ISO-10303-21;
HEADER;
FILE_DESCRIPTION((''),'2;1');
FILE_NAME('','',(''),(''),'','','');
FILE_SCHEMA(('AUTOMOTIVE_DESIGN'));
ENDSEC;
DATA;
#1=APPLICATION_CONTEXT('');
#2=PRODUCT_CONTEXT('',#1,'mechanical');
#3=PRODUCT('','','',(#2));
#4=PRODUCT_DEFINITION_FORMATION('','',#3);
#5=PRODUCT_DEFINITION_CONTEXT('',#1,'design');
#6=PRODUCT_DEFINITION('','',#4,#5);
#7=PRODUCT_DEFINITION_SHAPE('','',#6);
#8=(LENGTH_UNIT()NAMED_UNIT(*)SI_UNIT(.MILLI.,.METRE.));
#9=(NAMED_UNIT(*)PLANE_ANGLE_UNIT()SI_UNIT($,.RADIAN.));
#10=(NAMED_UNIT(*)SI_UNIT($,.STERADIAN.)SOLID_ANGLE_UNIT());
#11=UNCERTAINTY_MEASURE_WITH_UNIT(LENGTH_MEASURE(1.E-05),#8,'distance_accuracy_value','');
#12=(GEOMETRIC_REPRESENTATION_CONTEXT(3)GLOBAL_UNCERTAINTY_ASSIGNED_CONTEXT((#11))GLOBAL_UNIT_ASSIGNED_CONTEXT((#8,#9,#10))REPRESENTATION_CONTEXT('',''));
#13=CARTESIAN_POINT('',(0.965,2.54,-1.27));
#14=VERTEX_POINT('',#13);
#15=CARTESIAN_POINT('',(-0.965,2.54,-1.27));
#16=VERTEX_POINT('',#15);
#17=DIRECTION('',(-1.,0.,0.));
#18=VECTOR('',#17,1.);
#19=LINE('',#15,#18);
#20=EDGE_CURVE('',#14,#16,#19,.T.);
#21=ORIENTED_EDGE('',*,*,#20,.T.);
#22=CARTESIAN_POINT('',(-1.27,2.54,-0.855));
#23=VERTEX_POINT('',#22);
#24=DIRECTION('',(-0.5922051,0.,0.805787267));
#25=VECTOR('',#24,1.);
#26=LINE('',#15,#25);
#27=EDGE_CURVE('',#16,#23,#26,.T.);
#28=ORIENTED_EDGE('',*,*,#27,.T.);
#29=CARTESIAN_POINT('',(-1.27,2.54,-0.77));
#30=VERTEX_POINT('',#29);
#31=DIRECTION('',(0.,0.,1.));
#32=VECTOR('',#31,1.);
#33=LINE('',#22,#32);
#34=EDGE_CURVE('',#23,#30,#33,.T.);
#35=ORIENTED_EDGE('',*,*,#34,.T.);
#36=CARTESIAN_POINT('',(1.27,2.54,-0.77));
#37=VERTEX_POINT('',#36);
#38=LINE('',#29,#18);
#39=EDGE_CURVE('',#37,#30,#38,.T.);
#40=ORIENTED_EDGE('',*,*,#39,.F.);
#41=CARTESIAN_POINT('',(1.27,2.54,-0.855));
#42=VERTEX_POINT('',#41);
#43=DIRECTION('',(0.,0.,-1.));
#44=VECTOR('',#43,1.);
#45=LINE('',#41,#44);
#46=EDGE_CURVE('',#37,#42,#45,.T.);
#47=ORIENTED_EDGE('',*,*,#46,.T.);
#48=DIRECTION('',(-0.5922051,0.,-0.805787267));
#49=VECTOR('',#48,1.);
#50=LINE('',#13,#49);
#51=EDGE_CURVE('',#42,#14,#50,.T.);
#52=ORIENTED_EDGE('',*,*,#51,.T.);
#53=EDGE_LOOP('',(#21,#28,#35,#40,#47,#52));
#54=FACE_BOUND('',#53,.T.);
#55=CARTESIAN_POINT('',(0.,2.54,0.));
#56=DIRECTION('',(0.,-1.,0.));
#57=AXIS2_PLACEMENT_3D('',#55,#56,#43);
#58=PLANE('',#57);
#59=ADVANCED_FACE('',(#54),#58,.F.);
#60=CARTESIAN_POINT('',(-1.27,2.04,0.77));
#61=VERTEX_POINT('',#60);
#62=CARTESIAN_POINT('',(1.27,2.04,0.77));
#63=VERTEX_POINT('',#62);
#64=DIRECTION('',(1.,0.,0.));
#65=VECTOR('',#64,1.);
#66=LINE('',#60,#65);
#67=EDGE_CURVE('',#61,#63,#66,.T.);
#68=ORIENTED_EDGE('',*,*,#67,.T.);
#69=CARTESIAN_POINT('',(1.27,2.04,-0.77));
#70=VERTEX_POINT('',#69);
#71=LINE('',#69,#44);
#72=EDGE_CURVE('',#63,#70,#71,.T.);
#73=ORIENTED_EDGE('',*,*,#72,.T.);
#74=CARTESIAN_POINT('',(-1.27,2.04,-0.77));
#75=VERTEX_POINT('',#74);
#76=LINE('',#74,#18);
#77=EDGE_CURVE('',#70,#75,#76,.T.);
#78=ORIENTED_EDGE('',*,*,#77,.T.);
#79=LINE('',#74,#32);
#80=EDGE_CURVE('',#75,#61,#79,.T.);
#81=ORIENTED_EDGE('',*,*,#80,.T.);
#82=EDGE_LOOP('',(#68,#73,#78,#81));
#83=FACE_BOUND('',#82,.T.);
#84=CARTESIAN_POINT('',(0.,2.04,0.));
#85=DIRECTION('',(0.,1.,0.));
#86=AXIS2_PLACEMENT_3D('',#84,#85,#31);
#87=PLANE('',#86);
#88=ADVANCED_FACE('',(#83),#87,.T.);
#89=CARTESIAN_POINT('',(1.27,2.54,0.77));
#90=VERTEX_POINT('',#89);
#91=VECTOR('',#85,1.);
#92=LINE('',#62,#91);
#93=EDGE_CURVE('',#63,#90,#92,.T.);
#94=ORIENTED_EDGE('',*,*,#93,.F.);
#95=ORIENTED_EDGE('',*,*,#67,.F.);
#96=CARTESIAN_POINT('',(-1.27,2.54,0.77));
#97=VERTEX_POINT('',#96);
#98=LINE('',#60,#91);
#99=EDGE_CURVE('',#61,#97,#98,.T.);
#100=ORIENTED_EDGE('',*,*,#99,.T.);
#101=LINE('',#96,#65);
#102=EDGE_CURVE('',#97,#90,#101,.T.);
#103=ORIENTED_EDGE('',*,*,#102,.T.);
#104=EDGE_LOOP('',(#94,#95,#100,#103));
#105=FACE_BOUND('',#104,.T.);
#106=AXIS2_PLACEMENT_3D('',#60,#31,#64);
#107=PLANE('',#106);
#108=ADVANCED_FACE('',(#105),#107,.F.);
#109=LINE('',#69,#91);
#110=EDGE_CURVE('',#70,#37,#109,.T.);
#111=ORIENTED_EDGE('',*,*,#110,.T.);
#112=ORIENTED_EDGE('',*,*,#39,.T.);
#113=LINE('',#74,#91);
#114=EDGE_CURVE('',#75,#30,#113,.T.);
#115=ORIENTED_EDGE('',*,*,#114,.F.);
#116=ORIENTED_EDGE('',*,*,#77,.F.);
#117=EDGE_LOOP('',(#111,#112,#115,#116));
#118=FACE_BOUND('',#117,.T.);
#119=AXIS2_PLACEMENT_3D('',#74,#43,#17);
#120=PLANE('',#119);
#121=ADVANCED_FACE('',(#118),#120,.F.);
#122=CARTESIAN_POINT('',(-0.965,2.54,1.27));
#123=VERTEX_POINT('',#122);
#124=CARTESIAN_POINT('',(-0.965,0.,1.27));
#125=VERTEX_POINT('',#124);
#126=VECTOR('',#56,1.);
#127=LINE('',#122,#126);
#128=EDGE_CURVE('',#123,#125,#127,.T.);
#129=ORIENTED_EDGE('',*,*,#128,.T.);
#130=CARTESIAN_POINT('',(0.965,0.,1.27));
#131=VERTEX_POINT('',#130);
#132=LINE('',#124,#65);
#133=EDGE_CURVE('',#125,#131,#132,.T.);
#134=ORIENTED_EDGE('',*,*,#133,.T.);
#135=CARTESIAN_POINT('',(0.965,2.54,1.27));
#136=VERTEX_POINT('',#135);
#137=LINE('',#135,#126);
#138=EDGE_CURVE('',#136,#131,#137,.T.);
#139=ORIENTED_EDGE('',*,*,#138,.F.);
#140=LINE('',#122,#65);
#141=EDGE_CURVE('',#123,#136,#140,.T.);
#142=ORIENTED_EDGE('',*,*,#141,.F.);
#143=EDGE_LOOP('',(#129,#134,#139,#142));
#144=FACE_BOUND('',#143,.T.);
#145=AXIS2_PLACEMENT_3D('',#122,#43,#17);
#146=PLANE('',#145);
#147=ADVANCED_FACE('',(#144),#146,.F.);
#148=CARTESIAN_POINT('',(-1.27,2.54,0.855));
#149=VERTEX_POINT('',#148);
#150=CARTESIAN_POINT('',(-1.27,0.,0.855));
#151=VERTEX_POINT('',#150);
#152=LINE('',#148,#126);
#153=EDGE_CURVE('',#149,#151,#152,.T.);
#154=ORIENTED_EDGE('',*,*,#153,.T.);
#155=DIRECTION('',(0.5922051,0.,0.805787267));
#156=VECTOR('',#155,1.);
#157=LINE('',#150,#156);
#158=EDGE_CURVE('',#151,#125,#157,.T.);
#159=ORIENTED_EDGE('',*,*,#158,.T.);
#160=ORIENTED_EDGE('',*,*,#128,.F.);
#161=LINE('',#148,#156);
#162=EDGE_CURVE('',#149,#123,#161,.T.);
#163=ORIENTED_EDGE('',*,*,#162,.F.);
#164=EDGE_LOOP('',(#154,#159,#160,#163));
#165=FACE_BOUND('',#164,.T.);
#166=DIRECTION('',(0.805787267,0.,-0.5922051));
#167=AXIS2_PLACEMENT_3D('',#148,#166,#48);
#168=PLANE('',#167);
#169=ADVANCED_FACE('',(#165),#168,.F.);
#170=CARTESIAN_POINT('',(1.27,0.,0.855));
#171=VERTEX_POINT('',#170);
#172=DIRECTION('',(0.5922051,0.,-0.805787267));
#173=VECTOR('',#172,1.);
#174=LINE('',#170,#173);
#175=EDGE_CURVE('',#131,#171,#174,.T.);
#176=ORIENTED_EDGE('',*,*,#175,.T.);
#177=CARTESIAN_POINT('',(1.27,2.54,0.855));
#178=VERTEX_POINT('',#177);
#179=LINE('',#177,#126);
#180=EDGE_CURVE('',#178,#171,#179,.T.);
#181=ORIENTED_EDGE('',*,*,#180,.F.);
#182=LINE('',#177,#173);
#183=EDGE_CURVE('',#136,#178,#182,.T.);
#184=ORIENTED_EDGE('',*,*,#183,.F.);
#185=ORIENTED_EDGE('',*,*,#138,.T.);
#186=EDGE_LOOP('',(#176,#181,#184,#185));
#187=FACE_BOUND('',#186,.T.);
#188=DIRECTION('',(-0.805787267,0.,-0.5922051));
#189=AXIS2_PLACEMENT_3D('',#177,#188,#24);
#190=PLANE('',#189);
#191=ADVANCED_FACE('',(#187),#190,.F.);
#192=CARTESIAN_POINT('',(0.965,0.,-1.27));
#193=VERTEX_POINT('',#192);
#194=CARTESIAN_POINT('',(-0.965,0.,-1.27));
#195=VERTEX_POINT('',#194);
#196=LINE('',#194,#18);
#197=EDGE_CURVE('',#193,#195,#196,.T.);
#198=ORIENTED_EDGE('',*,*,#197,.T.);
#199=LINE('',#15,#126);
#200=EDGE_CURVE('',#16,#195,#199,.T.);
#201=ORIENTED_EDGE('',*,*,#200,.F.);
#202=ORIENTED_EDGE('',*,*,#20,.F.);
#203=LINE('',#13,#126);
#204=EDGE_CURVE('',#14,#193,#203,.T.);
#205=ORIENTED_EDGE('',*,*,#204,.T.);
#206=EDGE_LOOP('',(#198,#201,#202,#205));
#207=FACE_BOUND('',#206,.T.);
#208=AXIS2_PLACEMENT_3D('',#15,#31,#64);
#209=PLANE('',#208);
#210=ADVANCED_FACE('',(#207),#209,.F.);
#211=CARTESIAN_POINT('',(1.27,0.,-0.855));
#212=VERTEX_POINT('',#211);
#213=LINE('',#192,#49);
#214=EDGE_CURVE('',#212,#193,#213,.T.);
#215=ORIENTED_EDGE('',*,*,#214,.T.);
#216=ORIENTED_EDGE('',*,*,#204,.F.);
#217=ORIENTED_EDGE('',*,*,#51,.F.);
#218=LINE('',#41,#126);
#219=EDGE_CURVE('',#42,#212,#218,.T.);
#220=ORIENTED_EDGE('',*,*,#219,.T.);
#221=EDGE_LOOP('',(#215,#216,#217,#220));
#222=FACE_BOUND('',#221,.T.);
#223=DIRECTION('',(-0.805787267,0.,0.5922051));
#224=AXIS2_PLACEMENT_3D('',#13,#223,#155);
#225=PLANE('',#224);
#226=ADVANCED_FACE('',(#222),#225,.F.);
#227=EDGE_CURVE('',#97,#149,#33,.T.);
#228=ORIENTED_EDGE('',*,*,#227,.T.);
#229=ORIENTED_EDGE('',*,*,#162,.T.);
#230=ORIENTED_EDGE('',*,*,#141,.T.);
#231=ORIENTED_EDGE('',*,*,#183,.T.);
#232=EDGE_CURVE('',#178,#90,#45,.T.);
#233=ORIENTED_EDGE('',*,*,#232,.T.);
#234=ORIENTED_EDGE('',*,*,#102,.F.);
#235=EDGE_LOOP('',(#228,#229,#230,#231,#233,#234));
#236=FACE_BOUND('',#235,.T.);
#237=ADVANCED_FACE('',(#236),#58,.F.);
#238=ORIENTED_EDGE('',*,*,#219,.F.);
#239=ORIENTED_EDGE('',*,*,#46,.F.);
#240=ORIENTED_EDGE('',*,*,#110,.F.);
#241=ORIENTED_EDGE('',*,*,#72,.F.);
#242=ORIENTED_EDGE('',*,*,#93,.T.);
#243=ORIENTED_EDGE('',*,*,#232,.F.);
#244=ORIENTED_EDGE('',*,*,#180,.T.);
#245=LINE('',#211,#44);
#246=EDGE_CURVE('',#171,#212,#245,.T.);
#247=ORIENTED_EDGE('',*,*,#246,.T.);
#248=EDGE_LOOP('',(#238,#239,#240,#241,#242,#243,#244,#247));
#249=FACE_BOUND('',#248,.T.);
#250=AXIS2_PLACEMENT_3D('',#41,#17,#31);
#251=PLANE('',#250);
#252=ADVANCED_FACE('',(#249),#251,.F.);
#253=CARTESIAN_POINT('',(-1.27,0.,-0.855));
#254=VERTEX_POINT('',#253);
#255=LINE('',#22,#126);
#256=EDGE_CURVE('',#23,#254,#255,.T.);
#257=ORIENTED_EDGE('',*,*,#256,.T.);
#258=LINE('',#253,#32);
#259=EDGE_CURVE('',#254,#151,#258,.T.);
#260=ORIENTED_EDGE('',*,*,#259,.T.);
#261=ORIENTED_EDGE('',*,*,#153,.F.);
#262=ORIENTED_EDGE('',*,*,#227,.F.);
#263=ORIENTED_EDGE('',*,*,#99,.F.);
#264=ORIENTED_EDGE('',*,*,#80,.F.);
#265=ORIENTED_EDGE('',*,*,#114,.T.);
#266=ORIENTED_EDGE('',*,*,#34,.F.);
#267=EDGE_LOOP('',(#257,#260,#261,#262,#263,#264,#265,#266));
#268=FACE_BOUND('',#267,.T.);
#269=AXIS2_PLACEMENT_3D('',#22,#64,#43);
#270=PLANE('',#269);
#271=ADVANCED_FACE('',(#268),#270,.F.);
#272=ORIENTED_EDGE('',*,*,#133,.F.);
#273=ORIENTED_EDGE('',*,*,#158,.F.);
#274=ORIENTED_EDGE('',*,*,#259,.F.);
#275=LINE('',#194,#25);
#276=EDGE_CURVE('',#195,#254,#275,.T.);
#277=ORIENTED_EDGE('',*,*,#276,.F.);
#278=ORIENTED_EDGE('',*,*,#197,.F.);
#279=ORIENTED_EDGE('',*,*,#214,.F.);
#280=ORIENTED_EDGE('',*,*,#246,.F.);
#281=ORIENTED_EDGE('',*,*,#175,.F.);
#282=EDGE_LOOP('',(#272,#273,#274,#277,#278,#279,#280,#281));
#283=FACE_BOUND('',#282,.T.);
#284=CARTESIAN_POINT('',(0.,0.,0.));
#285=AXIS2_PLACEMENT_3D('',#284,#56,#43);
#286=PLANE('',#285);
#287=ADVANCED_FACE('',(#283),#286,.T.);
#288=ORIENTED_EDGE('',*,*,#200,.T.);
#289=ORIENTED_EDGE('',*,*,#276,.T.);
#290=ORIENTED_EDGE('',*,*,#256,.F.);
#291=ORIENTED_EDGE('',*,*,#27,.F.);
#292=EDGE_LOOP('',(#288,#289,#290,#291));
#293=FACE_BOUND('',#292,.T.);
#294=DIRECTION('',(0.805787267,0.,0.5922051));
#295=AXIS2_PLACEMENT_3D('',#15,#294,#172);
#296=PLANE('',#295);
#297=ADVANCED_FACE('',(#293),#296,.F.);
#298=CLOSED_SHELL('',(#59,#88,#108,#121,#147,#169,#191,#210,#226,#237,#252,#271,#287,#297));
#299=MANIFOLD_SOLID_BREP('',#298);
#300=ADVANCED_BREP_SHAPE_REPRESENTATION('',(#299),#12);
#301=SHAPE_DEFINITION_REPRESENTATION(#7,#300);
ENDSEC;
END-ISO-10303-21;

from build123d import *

# Parameters (mm, degrees)
EXTRUDE_1_DEPTH     = 2.54
SKETCH_2_W          = 2.54
SKETCH_2_H          = 1.54
CUT_EXTRUDE_1_DEPTH = 0.5


with BuildPart() as part:
    # Эскиз1 → Бобышка-Вытянуть1 (new body)
    with BuildSketch(Plane(origin=(0, 0, 0), x_dir=(1, 0, 0), z_dir=(0, 1, 0))):
        Polygon((-0.965, 1.27), (-1.27, 0.855), (-1.27, -0.855), (-0.965, -1.27), (0.965, -1.27), (1.27, -0.855), (1.27, 0.855), (0.965, 1.27), align=None)
    extrude(amount=EXTRUDE_1_DEPTH)

    # Эскиз2 → Вырез-Вытянуть1 (cut)
    with BuildSketch(Plane(origin=(0, 2.54, 0), x_dir=(1, 0, 0), z_dir=(0, 1, 0))):
        Rectangle(SKETCH_2_W, SKETCH_2_H)
    extrude(amount=-CUT_EXTRUDE_1_DEPTH, mode=Mode.SUBTRACT)


solid = part.part
